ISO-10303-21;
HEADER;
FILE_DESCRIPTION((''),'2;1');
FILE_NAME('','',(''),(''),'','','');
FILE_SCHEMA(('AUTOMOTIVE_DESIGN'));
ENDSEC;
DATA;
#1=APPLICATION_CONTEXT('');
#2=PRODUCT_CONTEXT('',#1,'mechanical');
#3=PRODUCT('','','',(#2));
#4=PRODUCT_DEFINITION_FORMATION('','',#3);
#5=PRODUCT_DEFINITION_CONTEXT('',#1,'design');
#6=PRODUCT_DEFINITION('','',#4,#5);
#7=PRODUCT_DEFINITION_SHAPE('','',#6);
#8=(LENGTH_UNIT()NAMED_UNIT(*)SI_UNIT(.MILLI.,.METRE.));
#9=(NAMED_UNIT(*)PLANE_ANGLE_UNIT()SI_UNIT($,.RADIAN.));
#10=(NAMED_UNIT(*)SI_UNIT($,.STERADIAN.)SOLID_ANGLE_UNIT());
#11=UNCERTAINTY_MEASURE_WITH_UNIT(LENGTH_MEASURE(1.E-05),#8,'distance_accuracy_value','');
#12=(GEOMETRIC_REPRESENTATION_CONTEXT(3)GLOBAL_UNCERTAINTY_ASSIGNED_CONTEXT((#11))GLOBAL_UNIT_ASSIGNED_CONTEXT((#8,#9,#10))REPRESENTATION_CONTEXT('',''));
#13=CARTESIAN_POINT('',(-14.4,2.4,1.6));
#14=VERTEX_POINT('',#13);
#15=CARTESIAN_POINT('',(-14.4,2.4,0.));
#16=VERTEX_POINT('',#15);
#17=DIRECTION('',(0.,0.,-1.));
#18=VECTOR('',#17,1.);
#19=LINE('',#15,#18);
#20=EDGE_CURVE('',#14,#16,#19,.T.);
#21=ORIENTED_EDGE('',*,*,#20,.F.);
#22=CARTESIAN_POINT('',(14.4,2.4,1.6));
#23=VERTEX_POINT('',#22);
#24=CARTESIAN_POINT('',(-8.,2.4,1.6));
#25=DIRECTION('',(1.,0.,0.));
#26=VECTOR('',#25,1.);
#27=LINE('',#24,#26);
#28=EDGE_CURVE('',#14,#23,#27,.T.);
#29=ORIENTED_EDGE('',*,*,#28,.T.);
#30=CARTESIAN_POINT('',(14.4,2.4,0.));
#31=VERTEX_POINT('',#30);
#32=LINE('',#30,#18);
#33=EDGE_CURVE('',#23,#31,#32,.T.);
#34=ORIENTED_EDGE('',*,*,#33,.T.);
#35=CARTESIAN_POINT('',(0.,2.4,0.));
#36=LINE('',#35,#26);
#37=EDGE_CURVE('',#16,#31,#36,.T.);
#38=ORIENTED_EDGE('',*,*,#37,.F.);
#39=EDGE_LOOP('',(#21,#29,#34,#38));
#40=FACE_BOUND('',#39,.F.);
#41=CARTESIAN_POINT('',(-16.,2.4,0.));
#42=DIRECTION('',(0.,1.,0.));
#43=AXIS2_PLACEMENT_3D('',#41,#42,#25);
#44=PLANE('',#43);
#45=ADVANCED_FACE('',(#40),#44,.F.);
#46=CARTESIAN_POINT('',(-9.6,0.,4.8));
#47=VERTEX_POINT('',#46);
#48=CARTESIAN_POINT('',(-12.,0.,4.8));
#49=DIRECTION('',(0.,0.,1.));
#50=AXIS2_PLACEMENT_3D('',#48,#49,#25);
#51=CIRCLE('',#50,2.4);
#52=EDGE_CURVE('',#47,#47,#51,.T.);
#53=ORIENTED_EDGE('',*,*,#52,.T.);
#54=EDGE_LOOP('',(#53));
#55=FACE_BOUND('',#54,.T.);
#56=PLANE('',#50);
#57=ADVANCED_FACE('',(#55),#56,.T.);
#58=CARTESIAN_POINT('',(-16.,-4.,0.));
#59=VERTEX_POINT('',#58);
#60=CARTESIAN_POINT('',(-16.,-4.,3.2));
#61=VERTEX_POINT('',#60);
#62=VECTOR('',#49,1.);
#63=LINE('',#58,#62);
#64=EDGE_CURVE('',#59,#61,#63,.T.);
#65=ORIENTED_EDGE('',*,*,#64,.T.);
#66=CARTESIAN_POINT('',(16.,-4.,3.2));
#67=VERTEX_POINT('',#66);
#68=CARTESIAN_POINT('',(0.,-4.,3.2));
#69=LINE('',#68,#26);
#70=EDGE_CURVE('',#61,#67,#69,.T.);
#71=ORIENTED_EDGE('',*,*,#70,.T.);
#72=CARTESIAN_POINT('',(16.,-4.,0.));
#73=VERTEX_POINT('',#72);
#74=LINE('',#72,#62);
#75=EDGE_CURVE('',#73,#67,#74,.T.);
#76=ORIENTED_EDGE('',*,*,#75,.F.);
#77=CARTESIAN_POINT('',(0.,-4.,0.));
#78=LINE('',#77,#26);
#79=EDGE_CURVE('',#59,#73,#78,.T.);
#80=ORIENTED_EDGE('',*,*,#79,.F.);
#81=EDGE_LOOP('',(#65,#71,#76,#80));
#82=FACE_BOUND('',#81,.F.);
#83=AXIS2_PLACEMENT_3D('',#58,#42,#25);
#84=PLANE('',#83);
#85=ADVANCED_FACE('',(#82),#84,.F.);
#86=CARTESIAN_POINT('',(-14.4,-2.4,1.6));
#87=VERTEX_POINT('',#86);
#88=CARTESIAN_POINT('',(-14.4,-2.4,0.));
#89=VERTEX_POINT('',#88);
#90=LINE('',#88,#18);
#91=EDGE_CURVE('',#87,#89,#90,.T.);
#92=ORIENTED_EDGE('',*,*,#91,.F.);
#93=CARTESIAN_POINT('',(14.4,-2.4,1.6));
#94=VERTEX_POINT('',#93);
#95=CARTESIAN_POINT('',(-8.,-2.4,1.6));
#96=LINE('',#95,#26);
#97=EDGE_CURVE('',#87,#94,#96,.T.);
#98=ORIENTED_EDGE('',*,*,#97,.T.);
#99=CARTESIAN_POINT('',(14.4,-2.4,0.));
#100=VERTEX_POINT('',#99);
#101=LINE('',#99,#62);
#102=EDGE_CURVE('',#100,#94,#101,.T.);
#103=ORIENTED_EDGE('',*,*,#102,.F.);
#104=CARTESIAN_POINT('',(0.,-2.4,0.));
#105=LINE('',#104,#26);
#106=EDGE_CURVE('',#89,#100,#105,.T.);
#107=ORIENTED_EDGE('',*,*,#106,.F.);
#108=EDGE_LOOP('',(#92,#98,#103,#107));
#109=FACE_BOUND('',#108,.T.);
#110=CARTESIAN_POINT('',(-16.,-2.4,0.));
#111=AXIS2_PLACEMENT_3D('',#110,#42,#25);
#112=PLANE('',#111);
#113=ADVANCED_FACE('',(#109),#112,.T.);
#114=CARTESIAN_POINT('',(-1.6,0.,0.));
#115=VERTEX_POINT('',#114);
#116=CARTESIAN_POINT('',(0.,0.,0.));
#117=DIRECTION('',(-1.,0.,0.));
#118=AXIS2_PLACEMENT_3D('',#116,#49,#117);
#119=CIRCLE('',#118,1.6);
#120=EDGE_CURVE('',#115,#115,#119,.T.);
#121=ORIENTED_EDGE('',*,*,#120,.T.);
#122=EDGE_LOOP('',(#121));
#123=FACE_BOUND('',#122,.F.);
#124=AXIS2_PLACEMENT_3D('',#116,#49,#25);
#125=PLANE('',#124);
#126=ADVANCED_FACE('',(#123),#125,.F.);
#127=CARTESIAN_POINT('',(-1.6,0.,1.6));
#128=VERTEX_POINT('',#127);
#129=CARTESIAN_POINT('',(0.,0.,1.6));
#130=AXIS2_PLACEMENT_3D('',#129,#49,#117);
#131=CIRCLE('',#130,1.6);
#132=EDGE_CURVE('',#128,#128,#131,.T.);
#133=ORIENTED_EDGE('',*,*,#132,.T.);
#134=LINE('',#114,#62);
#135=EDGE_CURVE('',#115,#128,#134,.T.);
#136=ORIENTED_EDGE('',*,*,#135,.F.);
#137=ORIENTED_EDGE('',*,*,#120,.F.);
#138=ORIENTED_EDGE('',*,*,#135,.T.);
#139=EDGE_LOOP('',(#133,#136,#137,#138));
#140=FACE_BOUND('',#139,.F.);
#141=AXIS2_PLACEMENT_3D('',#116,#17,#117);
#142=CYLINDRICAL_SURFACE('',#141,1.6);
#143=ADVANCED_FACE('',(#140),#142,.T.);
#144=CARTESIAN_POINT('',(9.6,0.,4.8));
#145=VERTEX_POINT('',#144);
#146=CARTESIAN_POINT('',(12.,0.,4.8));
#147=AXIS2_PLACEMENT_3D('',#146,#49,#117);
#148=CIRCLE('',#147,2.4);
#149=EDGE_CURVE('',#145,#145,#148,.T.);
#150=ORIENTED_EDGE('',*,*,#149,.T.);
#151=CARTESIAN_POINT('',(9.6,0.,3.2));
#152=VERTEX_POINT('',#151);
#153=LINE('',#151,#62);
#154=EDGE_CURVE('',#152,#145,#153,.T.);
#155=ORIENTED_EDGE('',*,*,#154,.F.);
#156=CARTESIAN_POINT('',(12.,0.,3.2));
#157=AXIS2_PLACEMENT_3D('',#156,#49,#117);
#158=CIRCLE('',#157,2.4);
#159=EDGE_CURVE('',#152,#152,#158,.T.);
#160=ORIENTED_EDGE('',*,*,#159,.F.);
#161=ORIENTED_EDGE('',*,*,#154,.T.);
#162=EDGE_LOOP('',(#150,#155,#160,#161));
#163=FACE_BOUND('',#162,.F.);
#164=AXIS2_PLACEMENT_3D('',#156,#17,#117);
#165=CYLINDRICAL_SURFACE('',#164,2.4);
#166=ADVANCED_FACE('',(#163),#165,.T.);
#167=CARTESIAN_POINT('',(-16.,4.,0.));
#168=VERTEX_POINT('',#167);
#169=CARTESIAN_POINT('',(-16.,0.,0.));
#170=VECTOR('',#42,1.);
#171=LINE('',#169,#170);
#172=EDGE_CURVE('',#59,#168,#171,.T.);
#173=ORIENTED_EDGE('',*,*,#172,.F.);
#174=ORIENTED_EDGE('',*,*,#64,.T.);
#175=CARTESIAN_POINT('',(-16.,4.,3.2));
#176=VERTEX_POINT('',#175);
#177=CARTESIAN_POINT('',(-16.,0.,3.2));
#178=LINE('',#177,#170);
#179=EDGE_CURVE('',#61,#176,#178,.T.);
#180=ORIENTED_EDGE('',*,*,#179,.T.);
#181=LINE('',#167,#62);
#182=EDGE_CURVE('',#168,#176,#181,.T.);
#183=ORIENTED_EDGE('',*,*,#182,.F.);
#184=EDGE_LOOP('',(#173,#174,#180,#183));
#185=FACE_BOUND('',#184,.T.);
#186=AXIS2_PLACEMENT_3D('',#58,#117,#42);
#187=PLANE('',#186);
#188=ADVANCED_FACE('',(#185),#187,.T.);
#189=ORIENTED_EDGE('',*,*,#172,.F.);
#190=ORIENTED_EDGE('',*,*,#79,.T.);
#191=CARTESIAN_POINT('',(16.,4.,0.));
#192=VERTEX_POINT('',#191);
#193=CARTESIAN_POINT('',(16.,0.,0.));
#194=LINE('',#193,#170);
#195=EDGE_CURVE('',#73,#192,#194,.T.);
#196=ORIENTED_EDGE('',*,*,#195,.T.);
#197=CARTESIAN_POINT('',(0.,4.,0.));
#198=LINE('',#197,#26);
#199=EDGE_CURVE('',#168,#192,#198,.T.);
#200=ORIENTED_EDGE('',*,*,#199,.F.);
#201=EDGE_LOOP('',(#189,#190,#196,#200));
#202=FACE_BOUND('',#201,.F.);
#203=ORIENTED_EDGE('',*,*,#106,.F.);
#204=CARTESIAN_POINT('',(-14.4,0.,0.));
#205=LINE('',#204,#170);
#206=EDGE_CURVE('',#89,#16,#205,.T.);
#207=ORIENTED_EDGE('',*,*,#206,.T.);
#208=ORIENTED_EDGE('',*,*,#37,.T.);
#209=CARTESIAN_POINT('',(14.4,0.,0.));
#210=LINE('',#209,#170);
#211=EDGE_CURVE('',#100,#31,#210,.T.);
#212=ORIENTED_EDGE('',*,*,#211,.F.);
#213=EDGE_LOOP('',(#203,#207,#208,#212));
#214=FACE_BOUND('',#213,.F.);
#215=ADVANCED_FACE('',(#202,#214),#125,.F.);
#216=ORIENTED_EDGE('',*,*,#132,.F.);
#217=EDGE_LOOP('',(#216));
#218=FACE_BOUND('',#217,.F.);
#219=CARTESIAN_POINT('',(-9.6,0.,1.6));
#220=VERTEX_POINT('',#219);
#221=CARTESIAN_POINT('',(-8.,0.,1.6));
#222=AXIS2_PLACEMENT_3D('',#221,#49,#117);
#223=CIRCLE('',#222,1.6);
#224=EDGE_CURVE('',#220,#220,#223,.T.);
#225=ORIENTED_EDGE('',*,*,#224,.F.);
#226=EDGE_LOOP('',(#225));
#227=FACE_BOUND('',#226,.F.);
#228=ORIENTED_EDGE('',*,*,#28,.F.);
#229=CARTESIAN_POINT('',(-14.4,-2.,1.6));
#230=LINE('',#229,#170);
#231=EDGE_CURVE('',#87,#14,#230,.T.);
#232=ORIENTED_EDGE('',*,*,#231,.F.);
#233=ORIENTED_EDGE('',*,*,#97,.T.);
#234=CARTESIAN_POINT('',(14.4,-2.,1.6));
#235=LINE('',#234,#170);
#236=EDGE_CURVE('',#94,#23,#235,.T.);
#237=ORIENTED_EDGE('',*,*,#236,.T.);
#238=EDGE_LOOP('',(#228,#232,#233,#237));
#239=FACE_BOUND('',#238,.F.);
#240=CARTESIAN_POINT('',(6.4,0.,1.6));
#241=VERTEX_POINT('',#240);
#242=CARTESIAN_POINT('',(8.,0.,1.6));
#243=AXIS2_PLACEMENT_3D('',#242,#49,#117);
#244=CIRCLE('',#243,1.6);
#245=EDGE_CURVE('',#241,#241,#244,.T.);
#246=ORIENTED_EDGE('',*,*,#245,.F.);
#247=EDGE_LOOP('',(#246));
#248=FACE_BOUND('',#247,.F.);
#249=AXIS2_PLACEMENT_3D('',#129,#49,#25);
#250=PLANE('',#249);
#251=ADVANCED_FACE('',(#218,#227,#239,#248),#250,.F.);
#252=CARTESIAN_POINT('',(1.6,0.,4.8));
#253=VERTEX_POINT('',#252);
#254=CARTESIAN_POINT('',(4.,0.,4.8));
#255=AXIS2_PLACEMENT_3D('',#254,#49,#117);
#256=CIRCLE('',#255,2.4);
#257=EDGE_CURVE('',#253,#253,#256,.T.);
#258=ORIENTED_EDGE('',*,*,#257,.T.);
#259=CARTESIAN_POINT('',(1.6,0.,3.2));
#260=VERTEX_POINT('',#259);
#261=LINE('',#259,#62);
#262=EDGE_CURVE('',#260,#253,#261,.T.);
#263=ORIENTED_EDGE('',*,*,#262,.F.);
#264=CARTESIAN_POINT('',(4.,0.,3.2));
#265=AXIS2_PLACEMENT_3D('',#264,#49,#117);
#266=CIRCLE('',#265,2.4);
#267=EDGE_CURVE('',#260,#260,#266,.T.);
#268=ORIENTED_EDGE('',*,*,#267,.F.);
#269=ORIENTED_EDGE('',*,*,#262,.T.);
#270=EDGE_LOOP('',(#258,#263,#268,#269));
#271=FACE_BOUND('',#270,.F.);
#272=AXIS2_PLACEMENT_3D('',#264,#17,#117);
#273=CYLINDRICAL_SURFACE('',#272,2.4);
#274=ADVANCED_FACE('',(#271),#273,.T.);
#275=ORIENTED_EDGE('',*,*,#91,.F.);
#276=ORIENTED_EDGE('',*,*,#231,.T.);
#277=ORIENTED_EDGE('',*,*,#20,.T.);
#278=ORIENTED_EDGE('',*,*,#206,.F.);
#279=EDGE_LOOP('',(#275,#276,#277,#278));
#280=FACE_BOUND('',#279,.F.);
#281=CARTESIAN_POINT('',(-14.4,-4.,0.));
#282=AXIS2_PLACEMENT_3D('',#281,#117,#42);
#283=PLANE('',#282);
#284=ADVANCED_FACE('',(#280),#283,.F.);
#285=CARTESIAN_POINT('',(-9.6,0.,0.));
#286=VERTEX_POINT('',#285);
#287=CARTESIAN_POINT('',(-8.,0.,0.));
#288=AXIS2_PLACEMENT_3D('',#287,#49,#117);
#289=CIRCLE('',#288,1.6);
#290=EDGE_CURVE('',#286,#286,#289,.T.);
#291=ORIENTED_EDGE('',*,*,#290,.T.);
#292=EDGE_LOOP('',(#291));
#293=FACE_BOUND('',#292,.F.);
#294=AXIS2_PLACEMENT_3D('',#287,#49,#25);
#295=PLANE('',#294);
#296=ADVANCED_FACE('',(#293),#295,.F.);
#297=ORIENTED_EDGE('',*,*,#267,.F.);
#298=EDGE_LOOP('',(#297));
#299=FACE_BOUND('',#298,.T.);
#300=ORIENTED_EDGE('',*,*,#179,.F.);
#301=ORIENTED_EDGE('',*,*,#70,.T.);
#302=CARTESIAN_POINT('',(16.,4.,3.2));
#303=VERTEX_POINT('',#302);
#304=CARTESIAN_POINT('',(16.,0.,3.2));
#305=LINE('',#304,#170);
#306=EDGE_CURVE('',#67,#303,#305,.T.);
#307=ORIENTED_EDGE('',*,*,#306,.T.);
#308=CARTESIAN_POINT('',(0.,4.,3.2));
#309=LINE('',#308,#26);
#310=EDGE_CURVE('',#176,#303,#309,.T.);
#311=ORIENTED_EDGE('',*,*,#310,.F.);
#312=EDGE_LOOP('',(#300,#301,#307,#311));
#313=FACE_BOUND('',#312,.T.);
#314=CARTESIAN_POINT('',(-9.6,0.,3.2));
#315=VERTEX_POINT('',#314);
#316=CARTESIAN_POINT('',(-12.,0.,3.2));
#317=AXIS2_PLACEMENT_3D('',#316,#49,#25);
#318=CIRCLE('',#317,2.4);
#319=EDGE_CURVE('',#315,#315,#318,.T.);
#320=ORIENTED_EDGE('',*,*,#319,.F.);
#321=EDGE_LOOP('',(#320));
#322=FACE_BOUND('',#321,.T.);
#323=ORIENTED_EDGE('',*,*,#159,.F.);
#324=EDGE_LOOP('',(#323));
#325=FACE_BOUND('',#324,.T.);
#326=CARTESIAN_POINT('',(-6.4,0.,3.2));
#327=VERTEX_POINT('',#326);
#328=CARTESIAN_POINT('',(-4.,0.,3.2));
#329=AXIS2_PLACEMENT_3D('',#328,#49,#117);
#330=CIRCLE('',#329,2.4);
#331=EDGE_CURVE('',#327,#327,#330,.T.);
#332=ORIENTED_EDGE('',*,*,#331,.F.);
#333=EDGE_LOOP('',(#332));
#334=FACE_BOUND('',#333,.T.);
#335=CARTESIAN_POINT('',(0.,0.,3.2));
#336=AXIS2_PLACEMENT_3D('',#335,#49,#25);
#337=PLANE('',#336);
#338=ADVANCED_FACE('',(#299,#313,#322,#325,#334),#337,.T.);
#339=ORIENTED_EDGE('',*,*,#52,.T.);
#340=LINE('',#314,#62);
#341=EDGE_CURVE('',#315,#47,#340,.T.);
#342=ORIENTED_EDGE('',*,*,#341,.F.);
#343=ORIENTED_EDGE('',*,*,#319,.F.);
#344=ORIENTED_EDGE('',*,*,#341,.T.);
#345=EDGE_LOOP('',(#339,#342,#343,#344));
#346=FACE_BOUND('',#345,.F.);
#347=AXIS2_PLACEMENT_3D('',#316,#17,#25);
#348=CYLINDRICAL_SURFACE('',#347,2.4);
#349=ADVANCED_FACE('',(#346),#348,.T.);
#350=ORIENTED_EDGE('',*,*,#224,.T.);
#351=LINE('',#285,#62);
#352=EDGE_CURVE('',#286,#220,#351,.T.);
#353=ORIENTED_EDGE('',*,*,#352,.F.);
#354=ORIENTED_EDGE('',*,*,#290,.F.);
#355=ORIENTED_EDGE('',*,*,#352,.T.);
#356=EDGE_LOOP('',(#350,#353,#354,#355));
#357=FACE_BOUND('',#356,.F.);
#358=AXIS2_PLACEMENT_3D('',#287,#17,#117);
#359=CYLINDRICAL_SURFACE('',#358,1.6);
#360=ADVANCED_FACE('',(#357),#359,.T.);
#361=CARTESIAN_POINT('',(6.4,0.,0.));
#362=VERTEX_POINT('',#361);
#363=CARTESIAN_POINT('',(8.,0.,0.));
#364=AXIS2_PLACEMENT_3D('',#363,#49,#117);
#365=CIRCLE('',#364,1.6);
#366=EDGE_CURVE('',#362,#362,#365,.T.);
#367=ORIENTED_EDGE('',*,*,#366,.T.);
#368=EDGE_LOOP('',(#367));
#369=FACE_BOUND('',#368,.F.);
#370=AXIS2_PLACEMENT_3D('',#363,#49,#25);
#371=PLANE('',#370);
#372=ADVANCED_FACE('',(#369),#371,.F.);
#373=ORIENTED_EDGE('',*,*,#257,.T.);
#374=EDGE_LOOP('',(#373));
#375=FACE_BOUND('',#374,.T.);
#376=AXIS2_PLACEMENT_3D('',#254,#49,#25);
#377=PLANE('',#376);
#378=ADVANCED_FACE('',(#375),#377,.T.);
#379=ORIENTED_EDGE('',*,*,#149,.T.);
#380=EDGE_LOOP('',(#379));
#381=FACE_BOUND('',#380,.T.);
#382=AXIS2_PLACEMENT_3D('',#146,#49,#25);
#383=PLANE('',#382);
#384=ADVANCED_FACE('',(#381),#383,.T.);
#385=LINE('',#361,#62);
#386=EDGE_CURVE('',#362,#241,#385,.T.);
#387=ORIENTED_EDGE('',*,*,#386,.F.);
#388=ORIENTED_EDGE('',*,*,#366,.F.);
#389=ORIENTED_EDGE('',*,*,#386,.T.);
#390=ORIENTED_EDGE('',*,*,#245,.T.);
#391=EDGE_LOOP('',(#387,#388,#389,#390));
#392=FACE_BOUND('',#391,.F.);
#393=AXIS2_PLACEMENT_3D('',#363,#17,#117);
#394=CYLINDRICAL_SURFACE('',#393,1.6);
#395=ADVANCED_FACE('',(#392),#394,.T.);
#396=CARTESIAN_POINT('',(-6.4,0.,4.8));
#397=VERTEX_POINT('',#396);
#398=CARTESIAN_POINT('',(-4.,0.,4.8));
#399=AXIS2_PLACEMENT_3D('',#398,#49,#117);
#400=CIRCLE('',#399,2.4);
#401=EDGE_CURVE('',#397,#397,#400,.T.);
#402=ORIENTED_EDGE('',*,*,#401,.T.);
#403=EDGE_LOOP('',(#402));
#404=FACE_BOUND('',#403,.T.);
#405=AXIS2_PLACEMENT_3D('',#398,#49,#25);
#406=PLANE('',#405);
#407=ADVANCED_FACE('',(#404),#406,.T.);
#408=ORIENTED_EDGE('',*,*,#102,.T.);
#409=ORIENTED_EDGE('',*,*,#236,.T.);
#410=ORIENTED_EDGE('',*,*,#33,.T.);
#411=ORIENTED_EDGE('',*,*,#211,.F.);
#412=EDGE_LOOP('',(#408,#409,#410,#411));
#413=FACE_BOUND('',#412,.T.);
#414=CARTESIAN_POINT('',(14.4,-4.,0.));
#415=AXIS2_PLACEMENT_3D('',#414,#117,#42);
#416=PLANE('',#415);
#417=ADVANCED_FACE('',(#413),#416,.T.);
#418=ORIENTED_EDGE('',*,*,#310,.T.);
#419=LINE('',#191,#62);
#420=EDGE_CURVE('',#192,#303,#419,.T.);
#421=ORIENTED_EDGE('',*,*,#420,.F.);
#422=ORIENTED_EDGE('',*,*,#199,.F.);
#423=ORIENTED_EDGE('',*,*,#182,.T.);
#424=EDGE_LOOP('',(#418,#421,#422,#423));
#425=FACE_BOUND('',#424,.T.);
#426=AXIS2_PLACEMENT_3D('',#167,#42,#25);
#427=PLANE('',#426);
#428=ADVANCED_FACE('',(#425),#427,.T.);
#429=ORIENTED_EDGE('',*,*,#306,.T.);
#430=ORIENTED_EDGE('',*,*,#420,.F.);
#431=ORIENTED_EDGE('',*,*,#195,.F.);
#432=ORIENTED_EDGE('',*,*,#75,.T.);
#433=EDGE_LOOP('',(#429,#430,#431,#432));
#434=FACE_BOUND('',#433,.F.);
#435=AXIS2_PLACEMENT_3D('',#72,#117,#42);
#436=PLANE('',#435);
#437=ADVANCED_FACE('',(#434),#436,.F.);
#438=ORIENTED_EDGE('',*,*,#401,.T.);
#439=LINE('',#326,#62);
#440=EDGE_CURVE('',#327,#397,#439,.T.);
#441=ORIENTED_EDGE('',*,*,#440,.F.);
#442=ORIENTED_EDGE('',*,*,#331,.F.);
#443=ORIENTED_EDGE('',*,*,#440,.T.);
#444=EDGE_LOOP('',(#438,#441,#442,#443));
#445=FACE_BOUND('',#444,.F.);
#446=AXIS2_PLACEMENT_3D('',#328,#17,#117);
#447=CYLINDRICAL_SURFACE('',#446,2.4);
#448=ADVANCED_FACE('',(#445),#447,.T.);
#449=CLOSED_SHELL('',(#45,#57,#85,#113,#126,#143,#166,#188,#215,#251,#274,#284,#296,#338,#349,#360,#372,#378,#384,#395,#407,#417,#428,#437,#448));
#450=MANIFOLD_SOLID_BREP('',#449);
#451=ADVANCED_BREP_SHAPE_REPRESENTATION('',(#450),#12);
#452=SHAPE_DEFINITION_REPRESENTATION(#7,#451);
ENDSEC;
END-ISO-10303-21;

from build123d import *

# Parameters (mm, degrees)
F0_W     = 32
F0_H     = 8
F0_R     = 2.4
F0_R_2   = 1.6
F1_DEPTH = 3.2
F2_T     = -1.6
F3_DEPTH = 1.6
F4_START = 3.2
F4_DEPTH = 1.6


with BuildPart() as f1:
    # F0 (on Top) → F1 (new body)
    with BuildSketch(Plane.XY):
        Rectangle(F0_W, F0_H)
        with Locations((-12, 0)):
            Circle(F0_R, mode=Mode.SUBTRACT)
        with BuildLine():
            ThreePointArc((-6.4, 0), (-8, -1.6), (-9.6, 0))
            ThreePointArc((-9.6, 0), (-8, 1.6), (-6.4, 0))
        make_face(mode=Mode.SUBTRACT)
        with BuildLine():
            ThreePointArc((-1.6, 0), (-4, -2.4), (-6.4, 0))
            ThreePointArc((-6.4, 0), (-4, 2.4), (-1.6, 0))
        make_face(mode=Mode.SUBTRACT)
        with BuildLine():
            ThreePointArc((1.6, 0), (0, -1.6), (-1.6, 0))
            ThreePointArc((-1.6, 0), (0, 1.6), (1.6, 0))
        make_face(mode=Mode.SUBTRACT)
        with BuildLine():
            ThreePointArc((6.4, 0), (4, -2.4), (1.6, 0))
            ThreePointArc((1.6, 0), (4, 2.4), (6.4, 0))
        make_face(mode=Mode.SUBTRACT)
        with BuildLine():
            ThreePointArc((9.6, 0), (8, -1.6), (6.4, 0))
            ThreePointArc((6.4, 0), (8, 1.6), (9.6, 0))
        make_face(mode=Mode.SUBTRACT)
        with BuildLine():
            ThreePointArc((14.4, 0), (12, -2.4), (9.6, 0))
            ThreePointArc((9.6, 0), (12, 2.4), (14.4, 0))
        make_face(mode=Mode.SUBTRACT)
        with Locations((-12, 0)):
            Circle(F0_R)
        with Locations((-12, 0)):
            Circle(F0_R_2, mode=Mode.SUBTRACT)
        with BuildLine():
            ThreePointArc((-1.6, 0), (-4, 2.4), (-6.4, 0))
            ThreePointArc((-6.4, 0), (-4, -2.4), (-1.6, 0))
        make_face()
        with Locations((-4, 0)):
            Circle(F0_R_2, mode=Mode.SUBTRACT)
        with BuildLine():
            ThreePointArc((6.4, 0), (4, 2.4), (1.6, 0))
            ThreePointArc((1.6, 0), (4, -2.4), (6.4, 0))
        make_face()
        with Locations((4, 0)):
            Circle(F0_R_2, mode=Mode.SUBTRACT)
        with BuildLine():
            ThreePointArc((14.4, 0), (12, 2.4), (9.6, 0))
            ThreePointArc((9.6, 0), (12, -2.4), (14.4, 0))
        make_face()
        with Locations((12, 0)):
            Circle(F0_R_2, mode=Mode.SUBTRACT)
        with Locations((-12, 0)):
            Circle(F0_R_2)
        with BuildLine():
            ThreePointArc((-6.4, 0), (-8, 1.6), (-9.6, 0))
            ThreePointArc((-9.6, 0), (-8, -1.6), (-6.4, 0))
        make_face()
        with Locations((-4, 0)):
            Circle(F0_R_2)
        with BuildLine():
            ThreePointArc((1.6, 0), (0, 1.6), (-1.6, 0))
            ThreePointArc((-1.6, 0), (0, -1.6), (1.6, 0))
        make_face()
        with Locations((4, 0)):
            Circle(F0_R_2)
        with BuildLine():
            ThreePointArc((9.6, 0), (8, 1.6), (6.4, 0))
            ThreePointArc((6.4, 0), (8, -1.6), (9.6, 0))
        make_face()
        with Locations((12, 0)):
            Circle(F0_R_2)
    extrude(amount=F1_DEPTH)

    # F2
    f2_openings = [f1.faces().sort_by_distance(p)[0] for p in [
        (0, 0, 0),
    ]]
    offset(amount=F2_T, openings=f2_openings)

    # F0 (on Top) → F3 (join, through all)
    with BuildSketch(Plane.XY):
        with BuildLine():
            ThreePointArc((-6.4, 0), (-8, 1.6), (-9.6, 0))
            ThreePointArc((-9.6, 0), (-8, -1.6), (-6.4, 0))
        make_face()
        with BuildLine():
            ThreePointArc((1.6, 0), (0, 1.6), (-1.6, 0))
            ThreePointArc((-1.6, 0), (0, -1.6), (1.6, 0))
        make_face()
        with BuildLine():
            ThreePointArc((9.6, 0), (8, 1.6), (6.4, 0))
            ThreePointArc((6.4, 0), (8, -1.6), (9.6, 0))
        make_face()
    extrude(amount=F3_DEPTH)

    # F0 (on Top) → F4 (join)
    with BuildSketch(Plane.XY.offset(F4_START)):
        with Locations((-12, 0)):
            Circle(F0_R)
        with Locations((-12, 0)):
            Circle(F0_R_2, mode=Mode.SUBTRACT)
        with BuildLine():
            ThreePointArc((-1.6, 0), (-4, 2.4), (-6.4, 0))
            ThreePointArc((-6.4, 0), (-4, -2.4), (-1.6, 0))
        make_face()
        with Locations((-4, 0)):
            Circle(F0_R_2, mode=Mode.SUBTRACT)
        with BuildLine():
            ThreePointArc((6.4, 0), (4, 2.4), (1.6, 0))
            ThreePointArc((1.6, 0), (4, -2.4), (6.4, 0))
        make_face()
        with Locations((4, 0)):
            Circle(F0_R_2, mode=Mode.SUBTRACT)
        with BuildLine():
            ThreePointArc((14.4, 0), (12, 2.4), (9.6, 0))
            ThreePointArc((9.6, 0), (12, -2.4), (14.4, 0))
        make_face()
        with Locations((12, 0)):
            Circle(F0_R_2, mode=Mode.SUBTRACT)
        with Locations((-12, 0)):
            Circle(F0_R_2)
        with Locations((-4, 0)):
            Circle(F0_R_2)
        with Locations((4, 0)):
            Circle(F0_R_2)
        with Locations((12, 0)):
            Circle(F0_R_2)
    extrude(amount=F4_DEPTH)


solid = f1.part
